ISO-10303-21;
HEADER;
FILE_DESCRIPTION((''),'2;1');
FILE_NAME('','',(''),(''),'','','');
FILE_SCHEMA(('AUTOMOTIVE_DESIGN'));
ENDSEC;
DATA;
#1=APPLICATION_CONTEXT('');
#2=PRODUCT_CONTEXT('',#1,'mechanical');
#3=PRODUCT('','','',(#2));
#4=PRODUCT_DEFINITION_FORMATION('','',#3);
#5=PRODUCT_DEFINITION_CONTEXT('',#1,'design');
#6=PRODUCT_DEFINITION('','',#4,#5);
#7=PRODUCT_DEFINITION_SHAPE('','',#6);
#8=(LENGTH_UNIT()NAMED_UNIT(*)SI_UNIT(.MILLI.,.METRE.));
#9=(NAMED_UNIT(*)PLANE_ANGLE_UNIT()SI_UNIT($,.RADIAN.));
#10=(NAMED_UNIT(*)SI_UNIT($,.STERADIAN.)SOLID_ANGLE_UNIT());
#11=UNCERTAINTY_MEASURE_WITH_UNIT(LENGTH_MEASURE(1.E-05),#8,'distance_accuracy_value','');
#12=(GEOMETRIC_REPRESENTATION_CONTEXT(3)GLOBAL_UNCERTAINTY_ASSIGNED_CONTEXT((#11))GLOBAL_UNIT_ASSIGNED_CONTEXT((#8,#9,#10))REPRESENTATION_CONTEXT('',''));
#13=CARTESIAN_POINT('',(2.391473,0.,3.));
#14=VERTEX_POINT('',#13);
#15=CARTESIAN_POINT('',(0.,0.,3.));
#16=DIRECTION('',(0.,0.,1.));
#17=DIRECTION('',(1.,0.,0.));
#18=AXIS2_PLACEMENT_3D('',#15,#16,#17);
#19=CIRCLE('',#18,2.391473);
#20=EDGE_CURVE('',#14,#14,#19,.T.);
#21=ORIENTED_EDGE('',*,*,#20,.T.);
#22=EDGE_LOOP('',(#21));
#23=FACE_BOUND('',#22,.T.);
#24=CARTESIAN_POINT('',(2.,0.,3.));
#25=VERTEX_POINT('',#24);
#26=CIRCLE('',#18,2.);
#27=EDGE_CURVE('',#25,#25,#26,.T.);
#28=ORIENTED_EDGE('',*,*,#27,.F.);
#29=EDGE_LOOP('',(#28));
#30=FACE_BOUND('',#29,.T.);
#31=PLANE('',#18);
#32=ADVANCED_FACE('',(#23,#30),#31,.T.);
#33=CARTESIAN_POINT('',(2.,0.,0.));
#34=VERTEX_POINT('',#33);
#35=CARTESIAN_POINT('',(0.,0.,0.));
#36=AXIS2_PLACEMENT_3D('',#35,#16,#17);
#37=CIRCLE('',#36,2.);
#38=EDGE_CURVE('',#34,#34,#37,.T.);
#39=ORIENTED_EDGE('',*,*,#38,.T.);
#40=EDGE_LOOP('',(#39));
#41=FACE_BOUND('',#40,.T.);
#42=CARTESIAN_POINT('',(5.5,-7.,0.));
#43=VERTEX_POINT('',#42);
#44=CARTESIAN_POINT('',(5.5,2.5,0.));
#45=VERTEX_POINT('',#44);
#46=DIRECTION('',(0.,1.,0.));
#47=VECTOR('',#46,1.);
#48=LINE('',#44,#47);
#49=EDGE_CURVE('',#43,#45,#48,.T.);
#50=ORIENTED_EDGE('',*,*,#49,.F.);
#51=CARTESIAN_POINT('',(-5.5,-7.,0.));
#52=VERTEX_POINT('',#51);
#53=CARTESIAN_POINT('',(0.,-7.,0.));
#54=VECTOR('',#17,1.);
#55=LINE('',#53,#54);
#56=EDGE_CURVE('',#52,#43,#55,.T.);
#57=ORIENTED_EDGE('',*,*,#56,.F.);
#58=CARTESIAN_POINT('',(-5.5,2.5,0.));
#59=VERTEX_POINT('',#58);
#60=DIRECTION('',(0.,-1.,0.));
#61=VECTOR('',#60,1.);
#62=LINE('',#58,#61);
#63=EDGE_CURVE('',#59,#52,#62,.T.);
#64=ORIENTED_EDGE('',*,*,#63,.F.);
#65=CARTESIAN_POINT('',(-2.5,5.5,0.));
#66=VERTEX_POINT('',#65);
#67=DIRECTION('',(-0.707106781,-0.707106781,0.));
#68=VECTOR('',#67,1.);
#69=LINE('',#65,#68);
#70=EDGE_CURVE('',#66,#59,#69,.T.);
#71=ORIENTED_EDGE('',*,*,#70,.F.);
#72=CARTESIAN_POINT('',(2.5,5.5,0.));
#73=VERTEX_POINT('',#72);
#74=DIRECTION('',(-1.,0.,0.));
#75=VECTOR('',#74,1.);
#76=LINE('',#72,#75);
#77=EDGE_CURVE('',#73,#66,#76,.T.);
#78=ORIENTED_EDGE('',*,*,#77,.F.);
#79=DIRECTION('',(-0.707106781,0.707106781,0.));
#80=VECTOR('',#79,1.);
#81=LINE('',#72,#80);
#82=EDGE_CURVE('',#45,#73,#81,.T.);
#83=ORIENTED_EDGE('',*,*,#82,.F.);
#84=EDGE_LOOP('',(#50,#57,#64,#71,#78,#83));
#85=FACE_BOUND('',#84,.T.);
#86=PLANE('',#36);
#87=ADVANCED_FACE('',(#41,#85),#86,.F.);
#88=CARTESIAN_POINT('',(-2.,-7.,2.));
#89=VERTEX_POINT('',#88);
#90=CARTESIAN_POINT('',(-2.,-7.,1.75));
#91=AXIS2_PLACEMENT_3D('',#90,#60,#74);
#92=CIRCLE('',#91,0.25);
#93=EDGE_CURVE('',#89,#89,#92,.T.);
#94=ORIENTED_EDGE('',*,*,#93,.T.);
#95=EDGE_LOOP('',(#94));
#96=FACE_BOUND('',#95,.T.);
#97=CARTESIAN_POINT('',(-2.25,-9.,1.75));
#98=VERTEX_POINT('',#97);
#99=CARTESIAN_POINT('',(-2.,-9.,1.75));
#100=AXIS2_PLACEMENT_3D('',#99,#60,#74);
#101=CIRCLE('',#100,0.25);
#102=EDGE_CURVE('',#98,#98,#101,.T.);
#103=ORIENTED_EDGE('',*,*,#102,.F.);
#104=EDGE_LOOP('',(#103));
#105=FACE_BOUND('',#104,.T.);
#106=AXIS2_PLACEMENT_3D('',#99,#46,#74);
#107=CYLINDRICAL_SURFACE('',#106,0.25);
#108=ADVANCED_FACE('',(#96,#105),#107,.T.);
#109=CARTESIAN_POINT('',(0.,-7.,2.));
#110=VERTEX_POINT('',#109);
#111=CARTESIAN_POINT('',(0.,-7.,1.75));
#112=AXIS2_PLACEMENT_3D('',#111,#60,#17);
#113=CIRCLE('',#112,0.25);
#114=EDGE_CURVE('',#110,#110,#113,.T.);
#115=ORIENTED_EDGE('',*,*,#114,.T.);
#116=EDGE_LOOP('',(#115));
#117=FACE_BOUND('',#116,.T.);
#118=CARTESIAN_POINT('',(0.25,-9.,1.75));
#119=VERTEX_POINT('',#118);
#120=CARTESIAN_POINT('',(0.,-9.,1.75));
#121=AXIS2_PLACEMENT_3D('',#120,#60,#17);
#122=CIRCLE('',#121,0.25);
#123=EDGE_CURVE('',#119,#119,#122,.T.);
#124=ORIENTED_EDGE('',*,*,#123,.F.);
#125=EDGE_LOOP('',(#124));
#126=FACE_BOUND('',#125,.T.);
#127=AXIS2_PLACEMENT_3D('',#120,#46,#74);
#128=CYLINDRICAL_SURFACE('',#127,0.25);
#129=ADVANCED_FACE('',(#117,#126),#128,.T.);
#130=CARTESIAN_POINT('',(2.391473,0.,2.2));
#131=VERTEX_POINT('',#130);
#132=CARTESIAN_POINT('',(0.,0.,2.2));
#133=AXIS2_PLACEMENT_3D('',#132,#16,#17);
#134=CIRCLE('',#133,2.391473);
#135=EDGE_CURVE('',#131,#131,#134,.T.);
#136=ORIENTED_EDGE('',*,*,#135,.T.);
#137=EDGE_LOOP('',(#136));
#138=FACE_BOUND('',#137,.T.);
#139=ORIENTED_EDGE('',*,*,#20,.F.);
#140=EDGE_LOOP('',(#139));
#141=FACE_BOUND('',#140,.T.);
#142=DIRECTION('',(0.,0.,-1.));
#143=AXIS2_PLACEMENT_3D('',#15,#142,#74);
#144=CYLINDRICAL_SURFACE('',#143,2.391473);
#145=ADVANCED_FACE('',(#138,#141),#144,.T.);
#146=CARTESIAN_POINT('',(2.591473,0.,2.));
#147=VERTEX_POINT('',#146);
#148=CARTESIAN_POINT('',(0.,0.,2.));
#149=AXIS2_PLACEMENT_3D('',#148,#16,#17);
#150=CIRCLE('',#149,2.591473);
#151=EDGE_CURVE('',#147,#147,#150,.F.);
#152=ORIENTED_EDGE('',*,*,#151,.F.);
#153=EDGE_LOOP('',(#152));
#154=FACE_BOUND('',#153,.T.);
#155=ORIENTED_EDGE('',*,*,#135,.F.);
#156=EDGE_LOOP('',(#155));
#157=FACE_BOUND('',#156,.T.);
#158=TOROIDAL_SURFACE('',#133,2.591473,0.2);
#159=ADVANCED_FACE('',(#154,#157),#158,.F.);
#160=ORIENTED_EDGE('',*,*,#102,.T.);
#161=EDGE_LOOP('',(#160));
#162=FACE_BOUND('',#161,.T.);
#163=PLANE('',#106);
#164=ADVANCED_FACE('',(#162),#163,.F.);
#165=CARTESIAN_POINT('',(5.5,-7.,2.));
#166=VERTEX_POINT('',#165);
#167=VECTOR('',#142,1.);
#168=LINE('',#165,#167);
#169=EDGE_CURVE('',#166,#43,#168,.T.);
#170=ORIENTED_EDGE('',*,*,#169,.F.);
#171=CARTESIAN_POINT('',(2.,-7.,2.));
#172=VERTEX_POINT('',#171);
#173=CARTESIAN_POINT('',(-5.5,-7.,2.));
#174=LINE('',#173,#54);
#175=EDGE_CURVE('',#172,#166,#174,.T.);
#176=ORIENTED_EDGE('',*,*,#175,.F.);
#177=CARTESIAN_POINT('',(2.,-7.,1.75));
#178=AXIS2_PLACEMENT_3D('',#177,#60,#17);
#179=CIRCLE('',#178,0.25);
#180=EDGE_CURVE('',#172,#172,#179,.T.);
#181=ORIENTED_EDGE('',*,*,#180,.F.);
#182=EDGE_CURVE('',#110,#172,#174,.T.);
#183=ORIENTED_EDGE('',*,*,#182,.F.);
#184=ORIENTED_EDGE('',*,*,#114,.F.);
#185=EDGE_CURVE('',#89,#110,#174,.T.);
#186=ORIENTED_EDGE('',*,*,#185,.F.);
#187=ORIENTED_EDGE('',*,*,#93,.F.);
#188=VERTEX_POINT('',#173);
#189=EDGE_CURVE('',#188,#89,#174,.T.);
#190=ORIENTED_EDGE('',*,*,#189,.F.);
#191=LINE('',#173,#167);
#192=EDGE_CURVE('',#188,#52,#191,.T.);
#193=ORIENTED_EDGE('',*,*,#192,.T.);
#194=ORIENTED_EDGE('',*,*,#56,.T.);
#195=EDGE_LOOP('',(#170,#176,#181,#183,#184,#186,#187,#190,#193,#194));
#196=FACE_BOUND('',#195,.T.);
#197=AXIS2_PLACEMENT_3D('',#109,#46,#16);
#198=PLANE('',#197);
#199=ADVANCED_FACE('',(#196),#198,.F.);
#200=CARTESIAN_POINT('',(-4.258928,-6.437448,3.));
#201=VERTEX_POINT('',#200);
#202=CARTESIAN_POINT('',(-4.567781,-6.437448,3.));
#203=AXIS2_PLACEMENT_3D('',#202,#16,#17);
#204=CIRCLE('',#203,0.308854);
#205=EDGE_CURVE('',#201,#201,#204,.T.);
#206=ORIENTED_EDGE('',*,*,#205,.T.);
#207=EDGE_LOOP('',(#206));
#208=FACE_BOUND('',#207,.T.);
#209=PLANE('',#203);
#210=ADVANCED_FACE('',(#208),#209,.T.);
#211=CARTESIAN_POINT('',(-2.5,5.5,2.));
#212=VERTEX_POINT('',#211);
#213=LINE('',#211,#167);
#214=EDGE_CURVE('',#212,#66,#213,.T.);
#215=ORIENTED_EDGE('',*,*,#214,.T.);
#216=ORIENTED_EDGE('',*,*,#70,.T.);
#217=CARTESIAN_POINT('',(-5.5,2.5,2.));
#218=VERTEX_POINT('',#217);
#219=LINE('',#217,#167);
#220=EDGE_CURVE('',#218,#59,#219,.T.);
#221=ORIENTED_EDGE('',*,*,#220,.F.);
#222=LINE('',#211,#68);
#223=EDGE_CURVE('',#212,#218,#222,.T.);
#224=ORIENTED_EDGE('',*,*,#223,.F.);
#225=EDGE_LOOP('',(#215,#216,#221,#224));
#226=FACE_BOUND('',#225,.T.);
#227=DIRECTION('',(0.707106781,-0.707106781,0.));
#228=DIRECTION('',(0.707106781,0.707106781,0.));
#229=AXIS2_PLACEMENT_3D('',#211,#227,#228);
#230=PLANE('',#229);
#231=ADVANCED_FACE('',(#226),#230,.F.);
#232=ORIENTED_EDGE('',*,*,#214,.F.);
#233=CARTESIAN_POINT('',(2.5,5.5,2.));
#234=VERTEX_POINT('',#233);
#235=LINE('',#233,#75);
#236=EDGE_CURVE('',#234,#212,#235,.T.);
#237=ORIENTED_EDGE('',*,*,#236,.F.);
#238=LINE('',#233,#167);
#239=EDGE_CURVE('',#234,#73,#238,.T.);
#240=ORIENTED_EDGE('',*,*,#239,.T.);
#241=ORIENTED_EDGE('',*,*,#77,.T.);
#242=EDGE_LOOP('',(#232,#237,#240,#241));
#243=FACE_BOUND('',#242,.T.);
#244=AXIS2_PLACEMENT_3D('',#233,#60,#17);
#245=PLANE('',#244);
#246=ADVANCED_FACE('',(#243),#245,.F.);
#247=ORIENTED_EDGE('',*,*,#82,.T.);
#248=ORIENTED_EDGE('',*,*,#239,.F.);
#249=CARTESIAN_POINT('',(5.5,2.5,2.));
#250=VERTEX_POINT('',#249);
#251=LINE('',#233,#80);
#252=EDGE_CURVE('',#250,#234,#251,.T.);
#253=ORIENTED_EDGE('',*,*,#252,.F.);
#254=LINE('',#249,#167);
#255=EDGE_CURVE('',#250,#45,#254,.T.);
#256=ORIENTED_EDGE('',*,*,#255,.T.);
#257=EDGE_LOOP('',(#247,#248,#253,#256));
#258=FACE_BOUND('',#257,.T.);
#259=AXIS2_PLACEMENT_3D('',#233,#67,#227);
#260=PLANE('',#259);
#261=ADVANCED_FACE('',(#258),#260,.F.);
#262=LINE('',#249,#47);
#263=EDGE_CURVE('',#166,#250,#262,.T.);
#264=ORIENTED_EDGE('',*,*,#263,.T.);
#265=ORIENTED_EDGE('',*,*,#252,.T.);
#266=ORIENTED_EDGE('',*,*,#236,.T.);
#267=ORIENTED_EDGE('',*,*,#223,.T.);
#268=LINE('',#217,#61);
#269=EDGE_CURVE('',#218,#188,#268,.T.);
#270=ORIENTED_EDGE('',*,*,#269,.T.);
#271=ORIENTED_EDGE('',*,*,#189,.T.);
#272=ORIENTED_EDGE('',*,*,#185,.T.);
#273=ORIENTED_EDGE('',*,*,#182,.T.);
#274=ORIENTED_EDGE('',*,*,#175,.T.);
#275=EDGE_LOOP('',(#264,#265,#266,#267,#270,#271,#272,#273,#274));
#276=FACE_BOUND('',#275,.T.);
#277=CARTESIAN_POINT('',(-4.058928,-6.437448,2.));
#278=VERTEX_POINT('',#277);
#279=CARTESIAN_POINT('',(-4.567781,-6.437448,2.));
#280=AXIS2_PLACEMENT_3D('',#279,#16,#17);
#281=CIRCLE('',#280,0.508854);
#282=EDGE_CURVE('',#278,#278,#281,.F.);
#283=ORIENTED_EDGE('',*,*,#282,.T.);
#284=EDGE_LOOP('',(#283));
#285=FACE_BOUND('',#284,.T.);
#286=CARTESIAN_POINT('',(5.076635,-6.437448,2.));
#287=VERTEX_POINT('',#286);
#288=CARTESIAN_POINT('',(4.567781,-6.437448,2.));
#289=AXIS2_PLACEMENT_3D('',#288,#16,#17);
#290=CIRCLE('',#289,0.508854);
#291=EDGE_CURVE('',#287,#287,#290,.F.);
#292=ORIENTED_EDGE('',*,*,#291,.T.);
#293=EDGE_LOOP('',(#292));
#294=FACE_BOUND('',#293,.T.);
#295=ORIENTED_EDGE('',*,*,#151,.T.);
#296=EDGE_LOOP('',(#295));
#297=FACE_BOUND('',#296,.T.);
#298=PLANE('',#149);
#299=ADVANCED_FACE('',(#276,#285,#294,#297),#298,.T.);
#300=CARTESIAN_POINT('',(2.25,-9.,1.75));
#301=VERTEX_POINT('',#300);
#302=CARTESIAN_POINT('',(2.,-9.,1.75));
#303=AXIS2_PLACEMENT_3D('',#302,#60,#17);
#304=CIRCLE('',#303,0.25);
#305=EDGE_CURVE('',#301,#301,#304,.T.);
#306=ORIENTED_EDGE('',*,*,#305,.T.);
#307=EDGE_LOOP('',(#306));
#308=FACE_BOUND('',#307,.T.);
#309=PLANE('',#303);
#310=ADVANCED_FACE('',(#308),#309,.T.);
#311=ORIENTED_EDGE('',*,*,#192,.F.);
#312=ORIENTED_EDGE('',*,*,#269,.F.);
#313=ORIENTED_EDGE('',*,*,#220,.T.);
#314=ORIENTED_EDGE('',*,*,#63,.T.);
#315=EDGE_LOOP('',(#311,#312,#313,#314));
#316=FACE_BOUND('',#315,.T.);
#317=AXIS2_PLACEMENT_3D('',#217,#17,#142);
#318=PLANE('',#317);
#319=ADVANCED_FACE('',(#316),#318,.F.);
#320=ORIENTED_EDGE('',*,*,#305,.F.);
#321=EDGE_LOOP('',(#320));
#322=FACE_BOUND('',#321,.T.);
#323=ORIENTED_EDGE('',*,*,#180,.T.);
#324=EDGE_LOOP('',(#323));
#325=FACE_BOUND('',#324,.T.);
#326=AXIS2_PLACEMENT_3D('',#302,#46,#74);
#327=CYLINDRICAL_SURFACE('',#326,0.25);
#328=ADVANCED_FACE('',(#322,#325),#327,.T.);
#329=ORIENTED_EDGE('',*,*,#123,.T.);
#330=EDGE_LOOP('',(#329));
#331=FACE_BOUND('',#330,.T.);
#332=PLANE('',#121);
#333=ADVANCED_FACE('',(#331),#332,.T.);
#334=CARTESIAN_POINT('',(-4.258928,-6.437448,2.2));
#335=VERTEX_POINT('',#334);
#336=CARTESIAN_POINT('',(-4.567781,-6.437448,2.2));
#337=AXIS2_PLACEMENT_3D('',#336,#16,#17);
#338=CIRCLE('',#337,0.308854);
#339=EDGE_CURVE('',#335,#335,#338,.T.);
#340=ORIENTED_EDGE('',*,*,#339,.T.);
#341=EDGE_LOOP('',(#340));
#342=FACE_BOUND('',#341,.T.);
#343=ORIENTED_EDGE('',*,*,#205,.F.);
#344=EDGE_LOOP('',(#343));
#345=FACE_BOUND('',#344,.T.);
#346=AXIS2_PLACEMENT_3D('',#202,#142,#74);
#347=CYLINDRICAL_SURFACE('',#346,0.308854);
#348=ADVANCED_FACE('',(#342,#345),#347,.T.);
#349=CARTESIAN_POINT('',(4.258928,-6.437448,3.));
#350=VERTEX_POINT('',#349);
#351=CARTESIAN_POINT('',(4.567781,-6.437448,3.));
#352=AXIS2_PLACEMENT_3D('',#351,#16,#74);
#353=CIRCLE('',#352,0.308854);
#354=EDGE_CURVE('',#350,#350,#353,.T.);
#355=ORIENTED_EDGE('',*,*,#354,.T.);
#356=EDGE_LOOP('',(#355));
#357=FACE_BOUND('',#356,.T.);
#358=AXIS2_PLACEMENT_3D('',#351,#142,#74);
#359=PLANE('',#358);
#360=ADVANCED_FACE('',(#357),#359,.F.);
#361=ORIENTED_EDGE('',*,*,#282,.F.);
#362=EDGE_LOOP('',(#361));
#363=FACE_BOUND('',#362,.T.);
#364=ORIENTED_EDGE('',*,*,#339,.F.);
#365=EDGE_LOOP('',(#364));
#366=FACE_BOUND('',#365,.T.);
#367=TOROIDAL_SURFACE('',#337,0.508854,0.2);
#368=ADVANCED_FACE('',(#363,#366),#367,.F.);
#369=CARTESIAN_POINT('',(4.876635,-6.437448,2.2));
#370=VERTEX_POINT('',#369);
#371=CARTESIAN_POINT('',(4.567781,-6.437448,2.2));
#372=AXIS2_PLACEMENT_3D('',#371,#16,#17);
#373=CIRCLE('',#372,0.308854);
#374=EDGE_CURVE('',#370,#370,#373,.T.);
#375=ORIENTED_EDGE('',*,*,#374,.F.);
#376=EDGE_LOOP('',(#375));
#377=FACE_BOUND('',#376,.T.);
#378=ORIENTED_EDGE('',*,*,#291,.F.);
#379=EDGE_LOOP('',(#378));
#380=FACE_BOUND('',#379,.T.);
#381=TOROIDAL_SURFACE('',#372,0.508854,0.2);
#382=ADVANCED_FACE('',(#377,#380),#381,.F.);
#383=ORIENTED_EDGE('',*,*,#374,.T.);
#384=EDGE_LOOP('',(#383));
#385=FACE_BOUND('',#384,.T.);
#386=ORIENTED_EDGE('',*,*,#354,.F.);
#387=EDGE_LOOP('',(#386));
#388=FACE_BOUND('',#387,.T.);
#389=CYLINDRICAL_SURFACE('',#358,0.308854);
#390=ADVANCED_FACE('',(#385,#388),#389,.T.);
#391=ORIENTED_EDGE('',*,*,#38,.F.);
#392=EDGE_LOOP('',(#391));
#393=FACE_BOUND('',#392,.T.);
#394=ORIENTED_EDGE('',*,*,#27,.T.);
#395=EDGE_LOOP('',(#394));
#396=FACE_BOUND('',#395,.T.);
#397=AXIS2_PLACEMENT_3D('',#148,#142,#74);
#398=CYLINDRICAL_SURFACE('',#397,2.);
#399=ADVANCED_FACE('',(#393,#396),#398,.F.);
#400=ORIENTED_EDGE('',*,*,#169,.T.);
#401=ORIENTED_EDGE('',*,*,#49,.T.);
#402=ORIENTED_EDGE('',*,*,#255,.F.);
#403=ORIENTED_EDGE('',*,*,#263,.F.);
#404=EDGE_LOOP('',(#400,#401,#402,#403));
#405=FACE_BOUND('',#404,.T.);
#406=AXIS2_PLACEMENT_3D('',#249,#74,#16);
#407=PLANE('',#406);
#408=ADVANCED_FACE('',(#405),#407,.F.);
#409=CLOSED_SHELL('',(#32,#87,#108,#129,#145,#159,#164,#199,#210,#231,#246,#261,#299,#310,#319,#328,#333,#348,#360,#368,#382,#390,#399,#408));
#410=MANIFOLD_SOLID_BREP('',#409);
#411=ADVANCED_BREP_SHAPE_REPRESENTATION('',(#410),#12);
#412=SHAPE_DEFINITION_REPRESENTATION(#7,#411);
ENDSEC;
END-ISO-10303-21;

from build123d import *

# Parameters (mm, degrees)
SKETCH1_R           = 2
BOSS_EXTRUDE1_DEPTH = 2
SKETCH2_R           = 2.391473365
SKETCH2_R_2         = 2
SKETCH2_R_3         = 0.308853545
BOSS_EXTRUDE2_DEPTH = 1
FILLET1_R           = 0.2
SKETCH3_R           = 0.25
BOSS_EXTRUDE3_DEPTH = 2


with BuildPart() as part:
    # Sketch1 → Boss-Extrude1 (new body)
    with BuildSketch(Plane.XY):
        Polygon((0, -7), (5.5, -7), (5.5, 2.5), (2.5, 5.5), (-2.5, 5.5), (-5.5, 2.5), (-5.5, -7), align=None)
        Circle(SKETCH1_R, mode=Mode.SUBTRACT)
    extrude(amount=BOSS_EXTRUDE1_DEPTH)

    # Sketch2 → Boss-Extrude2 (add)
    # profile 1 of 3: a face of its own
    with BuildSketch(Plane.XY.offset(2)):
        Circle(SKETCH2_R)
        Circle(SKETCH2_R_2, mode=Mode.SUBTRACT)
    # profile 2 of 3: a face of its own
    with BuildSketch(Plane.XY.offset(2)):
        with Locations((-4.567781371, -6.437447931)):
            Circle(SKETCH2_R_3)
    # profile 3 of 3: a face of its own
    with BuildSketch(Plane.XY.offset(2)):
        with Locations(Location((4.567781371, -6.437447931, 0), (0, 0, 180))):
            Circle(SKETCH2_R_3)
    extrude(amount=BOSS_EXTRUDE2_DEPTH)

    # Fillet1
    fillet1_edges = [part.edges().sort_by_distance(p)[0] for p in [
        (-2.391473365, 0, 2),
        (-4.876634915, -6.437447931, 2),
        (4.876634915, -6.437447931, 2),
    ]]
    fillet(fillet1_edges, radius=FILLET1_R)

    # Sketch3 → Boss-Extrude3 (add)
    with BuildSketch(Plane.XZ.offset(7)):
        with Locations(Location((0, 1.75, 0), (0, 0, 90))):
            Circle(SKETCH3_R)
        with Locations(Location((2, 1.75, 0), (0, 0, 90))):
            Circle(SKETCH3_R)
        with Locations(Location((-2, 1.75, 0), (0, 0, 180))):
            Circle(SKETCH3_R)
    extrude(amount=BOSS_EXTRUDE3_DEPTH)


solid = part.part
